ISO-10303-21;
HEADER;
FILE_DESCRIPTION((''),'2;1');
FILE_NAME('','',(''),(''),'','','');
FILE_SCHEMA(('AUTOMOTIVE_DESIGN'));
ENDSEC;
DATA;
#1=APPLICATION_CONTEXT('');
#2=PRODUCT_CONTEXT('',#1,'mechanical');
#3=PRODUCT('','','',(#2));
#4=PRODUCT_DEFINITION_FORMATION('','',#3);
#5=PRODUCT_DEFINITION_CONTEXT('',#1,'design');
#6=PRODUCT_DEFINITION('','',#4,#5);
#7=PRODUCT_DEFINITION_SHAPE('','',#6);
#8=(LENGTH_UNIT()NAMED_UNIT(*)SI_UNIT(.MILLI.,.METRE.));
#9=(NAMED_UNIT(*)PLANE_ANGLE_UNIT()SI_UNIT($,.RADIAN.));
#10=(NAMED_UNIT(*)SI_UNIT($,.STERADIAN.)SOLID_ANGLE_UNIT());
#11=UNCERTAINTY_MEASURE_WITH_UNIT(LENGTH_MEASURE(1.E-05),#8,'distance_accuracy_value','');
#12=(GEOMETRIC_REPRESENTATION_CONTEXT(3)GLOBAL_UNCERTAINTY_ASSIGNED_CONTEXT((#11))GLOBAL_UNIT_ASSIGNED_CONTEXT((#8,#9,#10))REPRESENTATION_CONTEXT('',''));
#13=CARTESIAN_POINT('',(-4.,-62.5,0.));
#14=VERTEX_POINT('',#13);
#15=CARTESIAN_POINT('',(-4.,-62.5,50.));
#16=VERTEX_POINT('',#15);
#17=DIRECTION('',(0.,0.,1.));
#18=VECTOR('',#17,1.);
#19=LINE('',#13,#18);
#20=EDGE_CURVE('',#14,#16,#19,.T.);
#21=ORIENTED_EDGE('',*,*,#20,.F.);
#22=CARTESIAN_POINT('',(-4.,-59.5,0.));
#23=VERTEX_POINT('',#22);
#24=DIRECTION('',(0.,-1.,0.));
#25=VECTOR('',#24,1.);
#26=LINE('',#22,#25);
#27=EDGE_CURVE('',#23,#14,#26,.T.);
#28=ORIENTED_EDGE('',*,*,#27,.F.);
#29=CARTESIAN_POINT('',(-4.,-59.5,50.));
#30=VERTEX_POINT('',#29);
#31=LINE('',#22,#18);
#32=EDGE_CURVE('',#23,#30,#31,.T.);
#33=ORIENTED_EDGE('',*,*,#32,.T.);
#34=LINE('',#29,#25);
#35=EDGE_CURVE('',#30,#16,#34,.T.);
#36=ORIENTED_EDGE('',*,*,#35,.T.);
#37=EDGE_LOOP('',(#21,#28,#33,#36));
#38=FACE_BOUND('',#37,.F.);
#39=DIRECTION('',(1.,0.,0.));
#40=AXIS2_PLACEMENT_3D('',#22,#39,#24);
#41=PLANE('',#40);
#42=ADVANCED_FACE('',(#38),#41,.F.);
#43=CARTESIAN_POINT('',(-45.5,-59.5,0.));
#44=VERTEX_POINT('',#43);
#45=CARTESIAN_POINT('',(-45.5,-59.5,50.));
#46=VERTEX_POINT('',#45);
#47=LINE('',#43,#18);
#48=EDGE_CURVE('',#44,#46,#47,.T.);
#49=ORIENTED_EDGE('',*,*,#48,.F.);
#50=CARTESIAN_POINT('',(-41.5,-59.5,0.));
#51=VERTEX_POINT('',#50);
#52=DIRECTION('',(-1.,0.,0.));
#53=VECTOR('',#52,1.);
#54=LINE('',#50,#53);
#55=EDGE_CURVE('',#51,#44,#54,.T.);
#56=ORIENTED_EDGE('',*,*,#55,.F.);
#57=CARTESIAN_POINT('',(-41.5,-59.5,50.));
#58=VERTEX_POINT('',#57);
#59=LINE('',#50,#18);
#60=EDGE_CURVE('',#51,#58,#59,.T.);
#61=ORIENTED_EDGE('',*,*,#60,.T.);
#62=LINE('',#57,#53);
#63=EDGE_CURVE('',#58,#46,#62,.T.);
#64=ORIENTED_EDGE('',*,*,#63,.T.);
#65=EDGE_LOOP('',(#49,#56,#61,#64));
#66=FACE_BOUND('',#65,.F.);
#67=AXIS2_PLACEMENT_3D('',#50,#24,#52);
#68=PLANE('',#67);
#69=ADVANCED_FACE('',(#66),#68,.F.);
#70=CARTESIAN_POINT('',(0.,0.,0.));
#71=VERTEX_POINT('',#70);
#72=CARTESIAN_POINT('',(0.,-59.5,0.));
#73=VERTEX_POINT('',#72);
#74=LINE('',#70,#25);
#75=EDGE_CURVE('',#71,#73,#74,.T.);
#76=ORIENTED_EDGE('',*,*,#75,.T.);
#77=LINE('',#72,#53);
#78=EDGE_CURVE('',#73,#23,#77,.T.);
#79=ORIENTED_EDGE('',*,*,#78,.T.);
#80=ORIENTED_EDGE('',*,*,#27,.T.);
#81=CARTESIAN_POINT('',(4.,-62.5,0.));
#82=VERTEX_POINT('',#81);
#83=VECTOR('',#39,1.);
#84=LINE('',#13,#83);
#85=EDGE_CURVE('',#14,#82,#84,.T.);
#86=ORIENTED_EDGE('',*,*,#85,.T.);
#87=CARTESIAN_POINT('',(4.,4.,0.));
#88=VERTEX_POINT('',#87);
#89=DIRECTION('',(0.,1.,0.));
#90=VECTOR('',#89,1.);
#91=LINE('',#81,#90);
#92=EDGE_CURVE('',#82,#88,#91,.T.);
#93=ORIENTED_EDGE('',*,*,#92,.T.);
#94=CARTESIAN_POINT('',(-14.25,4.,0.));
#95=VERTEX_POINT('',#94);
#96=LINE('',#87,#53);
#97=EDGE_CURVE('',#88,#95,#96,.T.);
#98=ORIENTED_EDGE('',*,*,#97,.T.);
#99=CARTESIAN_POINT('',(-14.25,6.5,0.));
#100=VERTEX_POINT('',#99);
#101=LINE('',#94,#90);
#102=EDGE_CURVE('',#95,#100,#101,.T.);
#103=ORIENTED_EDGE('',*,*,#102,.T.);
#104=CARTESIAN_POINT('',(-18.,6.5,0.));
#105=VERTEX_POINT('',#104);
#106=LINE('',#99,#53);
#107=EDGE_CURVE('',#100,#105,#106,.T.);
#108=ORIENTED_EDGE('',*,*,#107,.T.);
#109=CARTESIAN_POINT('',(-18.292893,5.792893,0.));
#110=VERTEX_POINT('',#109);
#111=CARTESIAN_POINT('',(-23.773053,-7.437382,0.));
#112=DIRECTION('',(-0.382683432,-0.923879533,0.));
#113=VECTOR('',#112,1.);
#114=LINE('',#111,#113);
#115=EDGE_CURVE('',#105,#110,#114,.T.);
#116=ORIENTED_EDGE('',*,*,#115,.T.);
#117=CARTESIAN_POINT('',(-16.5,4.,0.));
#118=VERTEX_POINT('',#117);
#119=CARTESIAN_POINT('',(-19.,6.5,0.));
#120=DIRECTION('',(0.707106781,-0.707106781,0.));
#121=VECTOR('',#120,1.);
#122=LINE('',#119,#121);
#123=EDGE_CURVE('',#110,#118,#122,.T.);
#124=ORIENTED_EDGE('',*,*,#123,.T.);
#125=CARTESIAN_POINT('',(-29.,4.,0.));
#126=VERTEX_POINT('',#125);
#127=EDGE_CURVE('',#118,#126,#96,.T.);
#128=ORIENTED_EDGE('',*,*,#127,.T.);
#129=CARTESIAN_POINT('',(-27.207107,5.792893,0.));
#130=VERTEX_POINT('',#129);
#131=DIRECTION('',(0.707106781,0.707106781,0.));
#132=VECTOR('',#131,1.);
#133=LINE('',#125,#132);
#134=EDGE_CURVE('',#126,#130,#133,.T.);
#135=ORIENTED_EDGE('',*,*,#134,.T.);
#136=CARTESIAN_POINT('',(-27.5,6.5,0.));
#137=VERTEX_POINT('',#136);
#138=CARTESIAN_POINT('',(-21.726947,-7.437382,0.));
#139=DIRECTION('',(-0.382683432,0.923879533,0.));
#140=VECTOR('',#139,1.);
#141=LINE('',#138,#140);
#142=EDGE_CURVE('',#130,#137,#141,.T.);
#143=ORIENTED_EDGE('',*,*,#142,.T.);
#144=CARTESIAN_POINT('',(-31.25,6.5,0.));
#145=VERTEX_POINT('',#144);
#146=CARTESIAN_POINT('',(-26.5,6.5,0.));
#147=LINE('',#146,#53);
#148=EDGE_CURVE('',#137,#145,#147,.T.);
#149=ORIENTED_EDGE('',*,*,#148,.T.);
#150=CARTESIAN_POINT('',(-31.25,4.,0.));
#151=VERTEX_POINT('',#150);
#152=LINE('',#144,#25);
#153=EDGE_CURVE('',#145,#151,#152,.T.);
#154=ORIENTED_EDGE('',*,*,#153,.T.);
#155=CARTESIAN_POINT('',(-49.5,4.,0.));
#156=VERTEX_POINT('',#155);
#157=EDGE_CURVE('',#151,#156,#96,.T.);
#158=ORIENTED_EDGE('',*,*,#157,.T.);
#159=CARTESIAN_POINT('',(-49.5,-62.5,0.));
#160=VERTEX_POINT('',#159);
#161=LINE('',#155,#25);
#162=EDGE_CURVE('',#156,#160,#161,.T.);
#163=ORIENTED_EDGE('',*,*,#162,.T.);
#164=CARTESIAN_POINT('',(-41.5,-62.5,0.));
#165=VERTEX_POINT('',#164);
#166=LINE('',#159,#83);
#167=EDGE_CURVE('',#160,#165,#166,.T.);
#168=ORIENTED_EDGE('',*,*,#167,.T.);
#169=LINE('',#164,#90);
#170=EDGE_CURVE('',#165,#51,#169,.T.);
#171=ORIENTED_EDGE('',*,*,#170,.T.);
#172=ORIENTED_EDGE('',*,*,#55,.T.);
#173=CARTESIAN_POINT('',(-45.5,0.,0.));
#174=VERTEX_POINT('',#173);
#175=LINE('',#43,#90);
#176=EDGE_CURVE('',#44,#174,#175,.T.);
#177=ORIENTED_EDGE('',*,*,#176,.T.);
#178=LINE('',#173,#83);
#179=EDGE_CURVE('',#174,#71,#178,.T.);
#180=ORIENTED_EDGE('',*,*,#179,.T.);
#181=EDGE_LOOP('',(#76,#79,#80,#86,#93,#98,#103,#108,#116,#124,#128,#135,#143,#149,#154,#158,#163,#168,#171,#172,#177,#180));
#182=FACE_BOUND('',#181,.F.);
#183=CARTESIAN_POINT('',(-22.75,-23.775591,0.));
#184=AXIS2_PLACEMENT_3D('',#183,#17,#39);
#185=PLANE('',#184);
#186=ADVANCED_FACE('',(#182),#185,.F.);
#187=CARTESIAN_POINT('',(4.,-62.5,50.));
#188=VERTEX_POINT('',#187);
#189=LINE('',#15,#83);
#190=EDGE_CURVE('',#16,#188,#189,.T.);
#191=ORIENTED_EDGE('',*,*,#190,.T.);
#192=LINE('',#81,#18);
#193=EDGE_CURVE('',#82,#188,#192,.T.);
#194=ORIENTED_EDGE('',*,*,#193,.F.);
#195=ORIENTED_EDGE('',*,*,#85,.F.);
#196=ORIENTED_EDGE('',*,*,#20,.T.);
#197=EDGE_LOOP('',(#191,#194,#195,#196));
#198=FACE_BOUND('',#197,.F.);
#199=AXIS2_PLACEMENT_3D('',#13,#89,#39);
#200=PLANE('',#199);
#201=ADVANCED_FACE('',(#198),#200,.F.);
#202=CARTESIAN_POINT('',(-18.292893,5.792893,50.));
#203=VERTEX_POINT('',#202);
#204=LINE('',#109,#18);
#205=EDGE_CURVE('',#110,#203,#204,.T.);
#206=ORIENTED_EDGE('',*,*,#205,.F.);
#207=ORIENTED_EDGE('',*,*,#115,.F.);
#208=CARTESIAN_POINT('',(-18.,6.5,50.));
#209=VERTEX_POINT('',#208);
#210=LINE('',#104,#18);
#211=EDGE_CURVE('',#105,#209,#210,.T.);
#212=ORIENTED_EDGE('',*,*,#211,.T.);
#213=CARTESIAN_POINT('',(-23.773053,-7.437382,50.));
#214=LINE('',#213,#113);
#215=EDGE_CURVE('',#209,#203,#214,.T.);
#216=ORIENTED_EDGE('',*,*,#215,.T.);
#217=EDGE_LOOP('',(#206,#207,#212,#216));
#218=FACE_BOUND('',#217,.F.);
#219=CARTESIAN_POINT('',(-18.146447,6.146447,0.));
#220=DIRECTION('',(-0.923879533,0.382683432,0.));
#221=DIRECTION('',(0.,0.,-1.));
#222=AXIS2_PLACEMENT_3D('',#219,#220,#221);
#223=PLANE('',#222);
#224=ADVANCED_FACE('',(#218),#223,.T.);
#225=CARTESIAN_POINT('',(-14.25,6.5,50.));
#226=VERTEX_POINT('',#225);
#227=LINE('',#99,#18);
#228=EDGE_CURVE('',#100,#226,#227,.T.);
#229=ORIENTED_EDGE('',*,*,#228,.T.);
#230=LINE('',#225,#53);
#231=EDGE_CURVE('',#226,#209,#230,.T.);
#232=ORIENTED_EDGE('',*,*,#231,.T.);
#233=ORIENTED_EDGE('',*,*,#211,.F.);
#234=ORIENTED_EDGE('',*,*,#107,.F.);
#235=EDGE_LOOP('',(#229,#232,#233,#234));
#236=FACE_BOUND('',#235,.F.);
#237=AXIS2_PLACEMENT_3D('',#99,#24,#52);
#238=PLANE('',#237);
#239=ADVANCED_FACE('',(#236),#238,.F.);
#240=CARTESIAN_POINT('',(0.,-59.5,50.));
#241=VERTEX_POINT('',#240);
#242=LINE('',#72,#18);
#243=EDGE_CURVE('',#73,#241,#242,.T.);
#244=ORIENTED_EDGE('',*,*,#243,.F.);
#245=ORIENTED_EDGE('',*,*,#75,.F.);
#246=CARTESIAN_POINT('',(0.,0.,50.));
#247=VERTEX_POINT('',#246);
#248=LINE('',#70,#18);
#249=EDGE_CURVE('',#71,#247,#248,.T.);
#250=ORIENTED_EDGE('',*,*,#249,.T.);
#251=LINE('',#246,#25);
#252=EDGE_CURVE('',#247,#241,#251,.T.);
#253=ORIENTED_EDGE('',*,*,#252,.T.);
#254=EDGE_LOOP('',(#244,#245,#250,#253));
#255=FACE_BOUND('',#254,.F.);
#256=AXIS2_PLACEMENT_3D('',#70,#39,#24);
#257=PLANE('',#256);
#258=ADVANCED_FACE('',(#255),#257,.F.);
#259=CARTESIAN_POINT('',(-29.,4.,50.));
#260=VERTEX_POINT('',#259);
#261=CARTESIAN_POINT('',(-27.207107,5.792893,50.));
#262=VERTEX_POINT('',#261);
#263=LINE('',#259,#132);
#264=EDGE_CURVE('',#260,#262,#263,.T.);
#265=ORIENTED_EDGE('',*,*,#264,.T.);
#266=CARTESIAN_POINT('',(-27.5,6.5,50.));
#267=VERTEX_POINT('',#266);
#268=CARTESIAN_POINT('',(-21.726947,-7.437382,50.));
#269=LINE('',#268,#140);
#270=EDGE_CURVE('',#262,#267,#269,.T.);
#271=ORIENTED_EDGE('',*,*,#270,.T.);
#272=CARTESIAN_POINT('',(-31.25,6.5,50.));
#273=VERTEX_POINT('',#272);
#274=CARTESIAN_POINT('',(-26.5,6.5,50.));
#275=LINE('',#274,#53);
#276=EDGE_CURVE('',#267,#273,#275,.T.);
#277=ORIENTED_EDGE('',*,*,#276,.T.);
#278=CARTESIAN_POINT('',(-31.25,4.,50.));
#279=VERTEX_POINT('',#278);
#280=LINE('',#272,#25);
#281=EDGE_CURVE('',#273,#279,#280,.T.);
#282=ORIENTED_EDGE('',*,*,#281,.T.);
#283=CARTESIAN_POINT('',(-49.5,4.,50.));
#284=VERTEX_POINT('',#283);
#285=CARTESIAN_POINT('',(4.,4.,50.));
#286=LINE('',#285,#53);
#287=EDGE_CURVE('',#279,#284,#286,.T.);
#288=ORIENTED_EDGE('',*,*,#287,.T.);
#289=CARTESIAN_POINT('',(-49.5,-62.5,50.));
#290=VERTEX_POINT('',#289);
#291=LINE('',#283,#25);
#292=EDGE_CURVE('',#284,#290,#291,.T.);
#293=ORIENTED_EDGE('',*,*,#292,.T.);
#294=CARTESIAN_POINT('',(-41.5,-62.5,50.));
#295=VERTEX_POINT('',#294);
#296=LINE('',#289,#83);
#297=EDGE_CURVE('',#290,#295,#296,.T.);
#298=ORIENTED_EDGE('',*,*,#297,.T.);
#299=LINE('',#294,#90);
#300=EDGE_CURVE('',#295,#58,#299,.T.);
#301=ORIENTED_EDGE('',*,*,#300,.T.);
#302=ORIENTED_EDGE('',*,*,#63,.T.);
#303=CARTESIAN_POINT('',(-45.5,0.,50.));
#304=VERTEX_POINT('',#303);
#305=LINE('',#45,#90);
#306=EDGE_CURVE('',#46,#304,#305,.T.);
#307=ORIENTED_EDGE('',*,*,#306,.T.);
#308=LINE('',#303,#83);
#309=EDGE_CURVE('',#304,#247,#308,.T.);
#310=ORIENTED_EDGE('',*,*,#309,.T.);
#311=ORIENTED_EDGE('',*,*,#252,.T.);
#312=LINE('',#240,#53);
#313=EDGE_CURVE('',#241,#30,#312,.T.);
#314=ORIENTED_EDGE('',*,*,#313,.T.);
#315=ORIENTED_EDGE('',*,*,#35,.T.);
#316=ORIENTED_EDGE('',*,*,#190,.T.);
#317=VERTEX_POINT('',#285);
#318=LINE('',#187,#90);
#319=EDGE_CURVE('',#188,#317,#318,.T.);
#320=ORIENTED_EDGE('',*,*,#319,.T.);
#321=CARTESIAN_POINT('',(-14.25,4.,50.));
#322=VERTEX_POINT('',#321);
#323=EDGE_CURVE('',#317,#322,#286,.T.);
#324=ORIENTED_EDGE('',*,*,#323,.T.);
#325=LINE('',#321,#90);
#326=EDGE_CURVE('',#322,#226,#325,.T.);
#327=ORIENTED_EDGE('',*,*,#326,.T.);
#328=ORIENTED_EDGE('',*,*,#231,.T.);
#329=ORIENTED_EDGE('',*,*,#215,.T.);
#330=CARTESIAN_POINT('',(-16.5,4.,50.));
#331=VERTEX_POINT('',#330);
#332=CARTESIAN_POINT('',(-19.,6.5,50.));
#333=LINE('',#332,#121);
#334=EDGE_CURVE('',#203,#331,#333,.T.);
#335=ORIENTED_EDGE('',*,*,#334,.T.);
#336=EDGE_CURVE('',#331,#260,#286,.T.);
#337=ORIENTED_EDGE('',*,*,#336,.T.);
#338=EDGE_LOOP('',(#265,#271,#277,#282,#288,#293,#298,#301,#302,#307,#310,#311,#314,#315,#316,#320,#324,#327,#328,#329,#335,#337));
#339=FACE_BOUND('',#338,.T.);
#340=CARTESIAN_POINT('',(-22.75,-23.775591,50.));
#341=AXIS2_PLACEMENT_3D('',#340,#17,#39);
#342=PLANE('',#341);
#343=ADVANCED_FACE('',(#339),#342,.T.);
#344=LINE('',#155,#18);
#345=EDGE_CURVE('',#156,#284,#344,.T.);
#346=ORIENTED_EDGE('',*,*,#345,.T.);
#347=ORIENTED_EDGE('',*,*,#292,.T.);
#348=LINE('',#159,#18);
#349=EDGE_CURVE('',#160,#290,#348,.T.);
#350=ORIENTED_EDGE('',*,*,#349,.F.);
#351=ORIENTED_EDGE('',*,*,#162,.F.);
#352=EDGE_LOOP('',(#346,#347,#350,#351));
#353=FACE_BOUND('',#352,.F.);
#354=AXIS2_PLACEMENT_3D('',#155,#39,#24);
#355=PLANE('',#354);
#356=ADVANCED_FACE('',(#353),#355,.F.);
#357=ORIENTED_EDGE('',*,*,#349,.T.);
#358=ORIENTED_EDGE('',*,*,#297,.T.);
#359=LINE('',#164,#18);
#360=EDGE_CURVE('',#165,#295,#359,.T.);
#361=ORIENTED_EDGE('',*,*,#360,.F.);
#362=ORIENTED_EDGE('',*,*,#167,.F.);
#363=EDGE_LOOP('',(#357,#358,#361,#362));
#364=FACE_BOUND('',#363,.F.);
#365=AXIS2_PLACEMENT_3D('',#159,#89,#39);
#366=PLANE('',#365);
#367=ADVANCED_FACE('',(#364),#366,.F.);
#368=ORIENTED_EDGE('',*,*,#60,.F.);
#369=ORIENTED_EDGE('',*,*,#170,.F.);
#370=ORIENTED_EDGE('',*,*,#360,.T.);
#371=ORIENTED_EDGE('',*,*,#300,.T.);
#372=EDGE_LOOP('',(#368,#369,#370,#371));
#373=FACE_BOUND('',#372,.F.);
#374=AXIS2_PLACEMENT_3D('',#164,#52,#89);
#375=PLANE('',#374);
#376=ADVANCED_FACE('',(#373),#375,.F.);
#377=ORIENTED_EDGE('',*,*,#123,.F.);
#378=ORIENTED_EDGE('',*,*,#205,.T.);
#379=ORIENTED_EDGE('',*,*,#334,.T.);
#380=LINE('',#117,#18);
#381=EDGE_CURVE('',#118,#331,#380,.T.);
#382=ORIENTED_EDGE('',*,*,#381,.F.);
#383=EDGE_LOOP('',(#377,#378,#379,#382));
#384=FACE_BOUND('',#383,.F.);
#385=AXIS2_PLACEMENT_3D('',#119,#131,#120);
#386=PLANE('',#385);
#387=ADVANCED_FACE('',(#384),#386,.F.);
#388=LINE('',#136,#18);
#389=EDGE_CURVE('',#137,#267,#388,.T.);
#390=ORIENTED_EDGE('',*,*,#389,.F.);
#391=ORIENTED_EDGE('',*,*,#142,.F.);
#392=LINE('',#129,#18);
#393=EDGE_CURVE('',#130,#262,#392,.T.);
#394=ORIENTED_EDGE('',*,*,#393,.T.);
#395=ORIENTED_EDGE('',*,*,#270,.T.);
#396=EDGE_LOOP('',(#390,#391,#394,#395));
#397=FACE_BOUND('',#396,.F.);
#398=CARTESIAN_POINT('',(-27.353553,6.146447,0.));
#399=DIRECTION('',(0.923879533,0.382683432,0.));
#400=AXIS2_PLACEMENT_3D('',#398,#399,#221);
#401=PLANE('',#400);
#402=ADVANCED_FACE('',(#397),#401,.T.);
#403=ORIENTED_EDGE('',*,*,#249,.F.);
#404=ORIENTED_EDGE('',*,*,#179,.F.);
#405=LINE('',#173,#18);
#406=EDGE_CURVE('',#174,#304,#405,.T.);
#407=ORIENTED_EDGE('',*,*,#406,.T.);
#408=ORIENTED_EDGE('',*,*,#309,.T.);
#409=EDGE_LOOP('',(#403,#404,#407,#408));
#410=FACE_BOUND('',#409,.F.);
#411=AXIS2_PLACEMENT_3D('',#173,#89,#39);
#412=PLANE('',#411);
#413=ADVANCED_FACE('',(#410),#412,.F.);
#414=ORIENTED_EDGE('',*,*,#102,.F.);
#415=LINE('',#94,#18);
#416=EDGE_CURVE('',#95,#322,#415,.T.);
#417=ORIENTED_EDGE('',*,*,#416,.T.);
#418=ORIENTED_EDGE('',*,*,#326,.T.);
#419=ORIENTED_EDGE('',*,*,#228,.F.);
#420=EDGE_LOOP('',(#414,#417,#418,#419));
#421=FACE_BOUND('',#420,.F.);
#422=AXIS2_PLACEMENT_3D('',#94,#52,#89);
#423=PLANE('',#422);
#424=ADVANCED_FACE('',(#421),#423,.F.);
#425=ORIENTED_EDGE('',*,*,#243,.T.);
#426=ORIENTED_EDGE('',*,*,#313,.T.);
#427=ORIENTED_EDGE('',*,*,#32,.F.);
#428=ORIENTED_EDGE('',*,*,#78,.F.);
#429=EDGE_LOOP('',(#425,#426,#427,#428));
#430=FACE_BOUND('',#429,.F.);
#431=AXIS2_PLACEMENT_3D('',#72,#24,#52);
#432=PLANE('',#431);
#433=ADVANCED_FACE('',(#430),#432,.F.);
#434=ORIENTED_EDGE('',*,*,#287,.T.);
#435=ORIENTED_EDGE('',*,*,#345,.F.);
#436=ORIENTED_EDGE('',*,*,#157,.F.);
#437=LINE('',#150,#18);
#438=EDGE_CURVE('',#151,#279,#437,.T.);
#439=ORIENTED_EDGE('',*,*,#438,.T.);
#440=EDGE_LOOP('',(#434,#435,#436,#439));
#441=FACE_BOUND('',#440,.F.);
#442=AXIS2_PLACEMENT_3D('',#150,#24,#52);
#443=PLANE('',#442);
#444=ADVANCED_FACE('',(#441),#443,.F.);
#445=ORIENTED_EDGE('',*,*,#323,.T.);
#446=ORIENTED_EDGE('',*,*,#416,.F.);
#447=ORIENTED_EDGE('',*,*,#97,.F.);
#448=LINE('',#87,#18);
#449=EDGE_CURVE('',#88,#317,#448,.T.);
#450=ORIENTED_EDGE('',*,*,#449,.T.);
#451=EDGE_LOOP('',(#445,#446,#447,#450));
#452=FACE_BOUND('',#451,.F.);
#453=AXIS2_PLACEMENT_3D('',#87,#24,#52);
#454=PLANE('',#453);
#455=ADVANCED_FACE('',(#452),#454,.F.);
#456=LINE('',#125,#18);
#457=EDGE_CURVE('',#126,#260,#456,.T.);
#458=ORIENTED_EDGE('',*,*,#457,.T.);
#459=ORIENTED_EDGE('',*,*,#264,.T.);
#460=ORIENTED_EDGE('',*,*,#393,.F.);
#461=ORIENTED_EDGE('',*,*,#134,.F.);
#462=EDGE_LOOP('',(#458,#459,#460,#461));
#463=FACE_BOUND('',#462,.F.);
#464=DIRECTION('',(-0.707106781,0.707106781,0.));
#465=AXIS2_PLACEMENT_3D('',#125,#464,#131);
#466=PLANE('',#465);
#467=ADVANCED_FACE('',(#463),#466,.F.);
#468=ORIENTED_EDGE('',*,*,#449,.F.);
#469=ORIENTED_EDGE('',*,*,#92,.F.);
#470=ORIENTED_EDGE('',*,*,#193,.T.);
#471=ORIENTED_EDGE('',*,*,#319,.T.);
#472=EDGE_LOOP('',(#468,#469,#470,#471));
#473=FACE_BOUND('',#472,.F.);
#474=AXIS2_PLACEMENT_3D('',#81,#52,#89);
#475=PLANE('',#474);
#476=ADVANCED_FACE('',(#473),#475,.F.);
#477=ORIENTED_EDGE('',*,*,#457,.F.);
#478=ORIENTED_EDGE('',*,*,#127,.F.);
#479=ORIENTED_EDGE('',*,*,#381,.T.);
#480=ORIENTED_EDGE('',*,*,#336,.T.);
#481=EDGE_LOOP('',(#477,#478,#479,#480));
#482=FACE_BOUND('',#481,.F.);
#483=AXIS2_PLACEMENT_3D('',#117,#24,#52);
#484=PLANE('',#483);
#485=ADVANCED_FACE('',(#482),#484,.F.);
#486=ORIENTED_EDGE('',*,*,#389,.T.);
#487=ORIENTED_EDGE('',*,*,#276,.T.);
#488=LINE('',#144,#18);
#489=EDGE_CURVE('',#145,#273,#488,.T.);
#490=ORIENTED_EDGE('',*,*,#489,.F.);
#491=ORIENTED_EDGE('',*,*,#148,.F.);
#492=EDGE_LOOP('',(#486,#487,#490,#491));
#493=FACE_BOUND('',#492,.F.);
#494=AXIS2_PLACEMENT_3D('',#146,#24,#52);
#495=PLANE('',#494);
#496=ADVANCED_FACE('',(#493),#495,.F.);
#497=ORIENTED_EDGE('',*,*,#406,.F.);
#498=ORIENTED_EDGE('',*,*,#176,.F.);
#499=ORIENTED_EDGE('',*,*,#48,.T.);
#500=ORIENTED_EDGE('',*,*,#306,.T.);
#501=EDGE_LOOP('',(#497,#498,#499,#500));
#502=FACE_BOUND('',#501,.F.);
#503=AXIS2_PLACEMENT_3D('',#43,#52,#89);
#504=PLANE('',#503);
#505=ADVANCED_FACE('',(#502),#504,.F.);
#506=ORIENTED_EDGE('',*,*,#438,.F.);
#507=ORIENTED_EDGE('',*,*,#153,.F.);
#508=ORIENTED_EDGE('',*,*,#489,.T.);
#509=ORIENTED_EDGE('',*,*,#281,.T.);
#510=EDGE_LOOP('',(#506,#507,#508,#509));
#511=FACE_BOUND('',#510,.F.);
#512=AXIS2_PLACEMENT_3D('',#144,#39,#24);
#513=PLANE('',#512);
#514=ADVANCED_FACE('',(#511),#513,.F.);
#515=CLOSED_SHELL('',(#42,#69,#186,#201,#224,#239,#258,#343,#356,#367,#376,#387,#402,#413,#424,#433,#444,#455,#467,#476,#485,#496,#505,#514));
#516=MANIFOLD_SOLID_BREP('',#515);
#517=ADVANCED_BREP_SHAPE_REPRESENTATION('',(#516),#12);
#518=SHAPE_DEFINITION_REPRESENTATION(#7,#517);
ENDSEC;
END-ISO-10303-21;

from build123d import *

# Parameters (mm, degrees)
F1_DEPTH = 50
F2_SIZE  = 1


with BuildPart() as f1:
    # F0 (on Top) → F1 (new body)
    with BuildSketch(Plane.XY):
        Polygon((-45.5, 0), (0, 0), (0, -59.5), (-4, -59.5), (-4, -62.5), (4, -62.5), (4, 4), (-14.25, 4), (-16.5, 4), (-29, 4), (-31.25, 4), (-49.5, 4), (-49.5, -62.5), (-41.5, -62.5), (-41.5, -59.5), (-45.5, -59.5), align=None)
        Polygon((-16.5, 4), (-14.25, 4), (-14.25, 6.5), (-19, 6.5), align=None)
        Polygon((-31.25, 6.5), (-31.25, 4), (-29, 4), (-26.5, 6.5), align=None)
    extrude(amount=F1_DEPTH)

    # F2
    f2_edges = [f1.edges().sort_by_distance(p)[0] for p in [
        (-19, 6.5, 25),
        (-26.5, 6.5, 25),
    ]]
    chamfer(f2_edges, length=F2_SIZE)


solid = f1.part
